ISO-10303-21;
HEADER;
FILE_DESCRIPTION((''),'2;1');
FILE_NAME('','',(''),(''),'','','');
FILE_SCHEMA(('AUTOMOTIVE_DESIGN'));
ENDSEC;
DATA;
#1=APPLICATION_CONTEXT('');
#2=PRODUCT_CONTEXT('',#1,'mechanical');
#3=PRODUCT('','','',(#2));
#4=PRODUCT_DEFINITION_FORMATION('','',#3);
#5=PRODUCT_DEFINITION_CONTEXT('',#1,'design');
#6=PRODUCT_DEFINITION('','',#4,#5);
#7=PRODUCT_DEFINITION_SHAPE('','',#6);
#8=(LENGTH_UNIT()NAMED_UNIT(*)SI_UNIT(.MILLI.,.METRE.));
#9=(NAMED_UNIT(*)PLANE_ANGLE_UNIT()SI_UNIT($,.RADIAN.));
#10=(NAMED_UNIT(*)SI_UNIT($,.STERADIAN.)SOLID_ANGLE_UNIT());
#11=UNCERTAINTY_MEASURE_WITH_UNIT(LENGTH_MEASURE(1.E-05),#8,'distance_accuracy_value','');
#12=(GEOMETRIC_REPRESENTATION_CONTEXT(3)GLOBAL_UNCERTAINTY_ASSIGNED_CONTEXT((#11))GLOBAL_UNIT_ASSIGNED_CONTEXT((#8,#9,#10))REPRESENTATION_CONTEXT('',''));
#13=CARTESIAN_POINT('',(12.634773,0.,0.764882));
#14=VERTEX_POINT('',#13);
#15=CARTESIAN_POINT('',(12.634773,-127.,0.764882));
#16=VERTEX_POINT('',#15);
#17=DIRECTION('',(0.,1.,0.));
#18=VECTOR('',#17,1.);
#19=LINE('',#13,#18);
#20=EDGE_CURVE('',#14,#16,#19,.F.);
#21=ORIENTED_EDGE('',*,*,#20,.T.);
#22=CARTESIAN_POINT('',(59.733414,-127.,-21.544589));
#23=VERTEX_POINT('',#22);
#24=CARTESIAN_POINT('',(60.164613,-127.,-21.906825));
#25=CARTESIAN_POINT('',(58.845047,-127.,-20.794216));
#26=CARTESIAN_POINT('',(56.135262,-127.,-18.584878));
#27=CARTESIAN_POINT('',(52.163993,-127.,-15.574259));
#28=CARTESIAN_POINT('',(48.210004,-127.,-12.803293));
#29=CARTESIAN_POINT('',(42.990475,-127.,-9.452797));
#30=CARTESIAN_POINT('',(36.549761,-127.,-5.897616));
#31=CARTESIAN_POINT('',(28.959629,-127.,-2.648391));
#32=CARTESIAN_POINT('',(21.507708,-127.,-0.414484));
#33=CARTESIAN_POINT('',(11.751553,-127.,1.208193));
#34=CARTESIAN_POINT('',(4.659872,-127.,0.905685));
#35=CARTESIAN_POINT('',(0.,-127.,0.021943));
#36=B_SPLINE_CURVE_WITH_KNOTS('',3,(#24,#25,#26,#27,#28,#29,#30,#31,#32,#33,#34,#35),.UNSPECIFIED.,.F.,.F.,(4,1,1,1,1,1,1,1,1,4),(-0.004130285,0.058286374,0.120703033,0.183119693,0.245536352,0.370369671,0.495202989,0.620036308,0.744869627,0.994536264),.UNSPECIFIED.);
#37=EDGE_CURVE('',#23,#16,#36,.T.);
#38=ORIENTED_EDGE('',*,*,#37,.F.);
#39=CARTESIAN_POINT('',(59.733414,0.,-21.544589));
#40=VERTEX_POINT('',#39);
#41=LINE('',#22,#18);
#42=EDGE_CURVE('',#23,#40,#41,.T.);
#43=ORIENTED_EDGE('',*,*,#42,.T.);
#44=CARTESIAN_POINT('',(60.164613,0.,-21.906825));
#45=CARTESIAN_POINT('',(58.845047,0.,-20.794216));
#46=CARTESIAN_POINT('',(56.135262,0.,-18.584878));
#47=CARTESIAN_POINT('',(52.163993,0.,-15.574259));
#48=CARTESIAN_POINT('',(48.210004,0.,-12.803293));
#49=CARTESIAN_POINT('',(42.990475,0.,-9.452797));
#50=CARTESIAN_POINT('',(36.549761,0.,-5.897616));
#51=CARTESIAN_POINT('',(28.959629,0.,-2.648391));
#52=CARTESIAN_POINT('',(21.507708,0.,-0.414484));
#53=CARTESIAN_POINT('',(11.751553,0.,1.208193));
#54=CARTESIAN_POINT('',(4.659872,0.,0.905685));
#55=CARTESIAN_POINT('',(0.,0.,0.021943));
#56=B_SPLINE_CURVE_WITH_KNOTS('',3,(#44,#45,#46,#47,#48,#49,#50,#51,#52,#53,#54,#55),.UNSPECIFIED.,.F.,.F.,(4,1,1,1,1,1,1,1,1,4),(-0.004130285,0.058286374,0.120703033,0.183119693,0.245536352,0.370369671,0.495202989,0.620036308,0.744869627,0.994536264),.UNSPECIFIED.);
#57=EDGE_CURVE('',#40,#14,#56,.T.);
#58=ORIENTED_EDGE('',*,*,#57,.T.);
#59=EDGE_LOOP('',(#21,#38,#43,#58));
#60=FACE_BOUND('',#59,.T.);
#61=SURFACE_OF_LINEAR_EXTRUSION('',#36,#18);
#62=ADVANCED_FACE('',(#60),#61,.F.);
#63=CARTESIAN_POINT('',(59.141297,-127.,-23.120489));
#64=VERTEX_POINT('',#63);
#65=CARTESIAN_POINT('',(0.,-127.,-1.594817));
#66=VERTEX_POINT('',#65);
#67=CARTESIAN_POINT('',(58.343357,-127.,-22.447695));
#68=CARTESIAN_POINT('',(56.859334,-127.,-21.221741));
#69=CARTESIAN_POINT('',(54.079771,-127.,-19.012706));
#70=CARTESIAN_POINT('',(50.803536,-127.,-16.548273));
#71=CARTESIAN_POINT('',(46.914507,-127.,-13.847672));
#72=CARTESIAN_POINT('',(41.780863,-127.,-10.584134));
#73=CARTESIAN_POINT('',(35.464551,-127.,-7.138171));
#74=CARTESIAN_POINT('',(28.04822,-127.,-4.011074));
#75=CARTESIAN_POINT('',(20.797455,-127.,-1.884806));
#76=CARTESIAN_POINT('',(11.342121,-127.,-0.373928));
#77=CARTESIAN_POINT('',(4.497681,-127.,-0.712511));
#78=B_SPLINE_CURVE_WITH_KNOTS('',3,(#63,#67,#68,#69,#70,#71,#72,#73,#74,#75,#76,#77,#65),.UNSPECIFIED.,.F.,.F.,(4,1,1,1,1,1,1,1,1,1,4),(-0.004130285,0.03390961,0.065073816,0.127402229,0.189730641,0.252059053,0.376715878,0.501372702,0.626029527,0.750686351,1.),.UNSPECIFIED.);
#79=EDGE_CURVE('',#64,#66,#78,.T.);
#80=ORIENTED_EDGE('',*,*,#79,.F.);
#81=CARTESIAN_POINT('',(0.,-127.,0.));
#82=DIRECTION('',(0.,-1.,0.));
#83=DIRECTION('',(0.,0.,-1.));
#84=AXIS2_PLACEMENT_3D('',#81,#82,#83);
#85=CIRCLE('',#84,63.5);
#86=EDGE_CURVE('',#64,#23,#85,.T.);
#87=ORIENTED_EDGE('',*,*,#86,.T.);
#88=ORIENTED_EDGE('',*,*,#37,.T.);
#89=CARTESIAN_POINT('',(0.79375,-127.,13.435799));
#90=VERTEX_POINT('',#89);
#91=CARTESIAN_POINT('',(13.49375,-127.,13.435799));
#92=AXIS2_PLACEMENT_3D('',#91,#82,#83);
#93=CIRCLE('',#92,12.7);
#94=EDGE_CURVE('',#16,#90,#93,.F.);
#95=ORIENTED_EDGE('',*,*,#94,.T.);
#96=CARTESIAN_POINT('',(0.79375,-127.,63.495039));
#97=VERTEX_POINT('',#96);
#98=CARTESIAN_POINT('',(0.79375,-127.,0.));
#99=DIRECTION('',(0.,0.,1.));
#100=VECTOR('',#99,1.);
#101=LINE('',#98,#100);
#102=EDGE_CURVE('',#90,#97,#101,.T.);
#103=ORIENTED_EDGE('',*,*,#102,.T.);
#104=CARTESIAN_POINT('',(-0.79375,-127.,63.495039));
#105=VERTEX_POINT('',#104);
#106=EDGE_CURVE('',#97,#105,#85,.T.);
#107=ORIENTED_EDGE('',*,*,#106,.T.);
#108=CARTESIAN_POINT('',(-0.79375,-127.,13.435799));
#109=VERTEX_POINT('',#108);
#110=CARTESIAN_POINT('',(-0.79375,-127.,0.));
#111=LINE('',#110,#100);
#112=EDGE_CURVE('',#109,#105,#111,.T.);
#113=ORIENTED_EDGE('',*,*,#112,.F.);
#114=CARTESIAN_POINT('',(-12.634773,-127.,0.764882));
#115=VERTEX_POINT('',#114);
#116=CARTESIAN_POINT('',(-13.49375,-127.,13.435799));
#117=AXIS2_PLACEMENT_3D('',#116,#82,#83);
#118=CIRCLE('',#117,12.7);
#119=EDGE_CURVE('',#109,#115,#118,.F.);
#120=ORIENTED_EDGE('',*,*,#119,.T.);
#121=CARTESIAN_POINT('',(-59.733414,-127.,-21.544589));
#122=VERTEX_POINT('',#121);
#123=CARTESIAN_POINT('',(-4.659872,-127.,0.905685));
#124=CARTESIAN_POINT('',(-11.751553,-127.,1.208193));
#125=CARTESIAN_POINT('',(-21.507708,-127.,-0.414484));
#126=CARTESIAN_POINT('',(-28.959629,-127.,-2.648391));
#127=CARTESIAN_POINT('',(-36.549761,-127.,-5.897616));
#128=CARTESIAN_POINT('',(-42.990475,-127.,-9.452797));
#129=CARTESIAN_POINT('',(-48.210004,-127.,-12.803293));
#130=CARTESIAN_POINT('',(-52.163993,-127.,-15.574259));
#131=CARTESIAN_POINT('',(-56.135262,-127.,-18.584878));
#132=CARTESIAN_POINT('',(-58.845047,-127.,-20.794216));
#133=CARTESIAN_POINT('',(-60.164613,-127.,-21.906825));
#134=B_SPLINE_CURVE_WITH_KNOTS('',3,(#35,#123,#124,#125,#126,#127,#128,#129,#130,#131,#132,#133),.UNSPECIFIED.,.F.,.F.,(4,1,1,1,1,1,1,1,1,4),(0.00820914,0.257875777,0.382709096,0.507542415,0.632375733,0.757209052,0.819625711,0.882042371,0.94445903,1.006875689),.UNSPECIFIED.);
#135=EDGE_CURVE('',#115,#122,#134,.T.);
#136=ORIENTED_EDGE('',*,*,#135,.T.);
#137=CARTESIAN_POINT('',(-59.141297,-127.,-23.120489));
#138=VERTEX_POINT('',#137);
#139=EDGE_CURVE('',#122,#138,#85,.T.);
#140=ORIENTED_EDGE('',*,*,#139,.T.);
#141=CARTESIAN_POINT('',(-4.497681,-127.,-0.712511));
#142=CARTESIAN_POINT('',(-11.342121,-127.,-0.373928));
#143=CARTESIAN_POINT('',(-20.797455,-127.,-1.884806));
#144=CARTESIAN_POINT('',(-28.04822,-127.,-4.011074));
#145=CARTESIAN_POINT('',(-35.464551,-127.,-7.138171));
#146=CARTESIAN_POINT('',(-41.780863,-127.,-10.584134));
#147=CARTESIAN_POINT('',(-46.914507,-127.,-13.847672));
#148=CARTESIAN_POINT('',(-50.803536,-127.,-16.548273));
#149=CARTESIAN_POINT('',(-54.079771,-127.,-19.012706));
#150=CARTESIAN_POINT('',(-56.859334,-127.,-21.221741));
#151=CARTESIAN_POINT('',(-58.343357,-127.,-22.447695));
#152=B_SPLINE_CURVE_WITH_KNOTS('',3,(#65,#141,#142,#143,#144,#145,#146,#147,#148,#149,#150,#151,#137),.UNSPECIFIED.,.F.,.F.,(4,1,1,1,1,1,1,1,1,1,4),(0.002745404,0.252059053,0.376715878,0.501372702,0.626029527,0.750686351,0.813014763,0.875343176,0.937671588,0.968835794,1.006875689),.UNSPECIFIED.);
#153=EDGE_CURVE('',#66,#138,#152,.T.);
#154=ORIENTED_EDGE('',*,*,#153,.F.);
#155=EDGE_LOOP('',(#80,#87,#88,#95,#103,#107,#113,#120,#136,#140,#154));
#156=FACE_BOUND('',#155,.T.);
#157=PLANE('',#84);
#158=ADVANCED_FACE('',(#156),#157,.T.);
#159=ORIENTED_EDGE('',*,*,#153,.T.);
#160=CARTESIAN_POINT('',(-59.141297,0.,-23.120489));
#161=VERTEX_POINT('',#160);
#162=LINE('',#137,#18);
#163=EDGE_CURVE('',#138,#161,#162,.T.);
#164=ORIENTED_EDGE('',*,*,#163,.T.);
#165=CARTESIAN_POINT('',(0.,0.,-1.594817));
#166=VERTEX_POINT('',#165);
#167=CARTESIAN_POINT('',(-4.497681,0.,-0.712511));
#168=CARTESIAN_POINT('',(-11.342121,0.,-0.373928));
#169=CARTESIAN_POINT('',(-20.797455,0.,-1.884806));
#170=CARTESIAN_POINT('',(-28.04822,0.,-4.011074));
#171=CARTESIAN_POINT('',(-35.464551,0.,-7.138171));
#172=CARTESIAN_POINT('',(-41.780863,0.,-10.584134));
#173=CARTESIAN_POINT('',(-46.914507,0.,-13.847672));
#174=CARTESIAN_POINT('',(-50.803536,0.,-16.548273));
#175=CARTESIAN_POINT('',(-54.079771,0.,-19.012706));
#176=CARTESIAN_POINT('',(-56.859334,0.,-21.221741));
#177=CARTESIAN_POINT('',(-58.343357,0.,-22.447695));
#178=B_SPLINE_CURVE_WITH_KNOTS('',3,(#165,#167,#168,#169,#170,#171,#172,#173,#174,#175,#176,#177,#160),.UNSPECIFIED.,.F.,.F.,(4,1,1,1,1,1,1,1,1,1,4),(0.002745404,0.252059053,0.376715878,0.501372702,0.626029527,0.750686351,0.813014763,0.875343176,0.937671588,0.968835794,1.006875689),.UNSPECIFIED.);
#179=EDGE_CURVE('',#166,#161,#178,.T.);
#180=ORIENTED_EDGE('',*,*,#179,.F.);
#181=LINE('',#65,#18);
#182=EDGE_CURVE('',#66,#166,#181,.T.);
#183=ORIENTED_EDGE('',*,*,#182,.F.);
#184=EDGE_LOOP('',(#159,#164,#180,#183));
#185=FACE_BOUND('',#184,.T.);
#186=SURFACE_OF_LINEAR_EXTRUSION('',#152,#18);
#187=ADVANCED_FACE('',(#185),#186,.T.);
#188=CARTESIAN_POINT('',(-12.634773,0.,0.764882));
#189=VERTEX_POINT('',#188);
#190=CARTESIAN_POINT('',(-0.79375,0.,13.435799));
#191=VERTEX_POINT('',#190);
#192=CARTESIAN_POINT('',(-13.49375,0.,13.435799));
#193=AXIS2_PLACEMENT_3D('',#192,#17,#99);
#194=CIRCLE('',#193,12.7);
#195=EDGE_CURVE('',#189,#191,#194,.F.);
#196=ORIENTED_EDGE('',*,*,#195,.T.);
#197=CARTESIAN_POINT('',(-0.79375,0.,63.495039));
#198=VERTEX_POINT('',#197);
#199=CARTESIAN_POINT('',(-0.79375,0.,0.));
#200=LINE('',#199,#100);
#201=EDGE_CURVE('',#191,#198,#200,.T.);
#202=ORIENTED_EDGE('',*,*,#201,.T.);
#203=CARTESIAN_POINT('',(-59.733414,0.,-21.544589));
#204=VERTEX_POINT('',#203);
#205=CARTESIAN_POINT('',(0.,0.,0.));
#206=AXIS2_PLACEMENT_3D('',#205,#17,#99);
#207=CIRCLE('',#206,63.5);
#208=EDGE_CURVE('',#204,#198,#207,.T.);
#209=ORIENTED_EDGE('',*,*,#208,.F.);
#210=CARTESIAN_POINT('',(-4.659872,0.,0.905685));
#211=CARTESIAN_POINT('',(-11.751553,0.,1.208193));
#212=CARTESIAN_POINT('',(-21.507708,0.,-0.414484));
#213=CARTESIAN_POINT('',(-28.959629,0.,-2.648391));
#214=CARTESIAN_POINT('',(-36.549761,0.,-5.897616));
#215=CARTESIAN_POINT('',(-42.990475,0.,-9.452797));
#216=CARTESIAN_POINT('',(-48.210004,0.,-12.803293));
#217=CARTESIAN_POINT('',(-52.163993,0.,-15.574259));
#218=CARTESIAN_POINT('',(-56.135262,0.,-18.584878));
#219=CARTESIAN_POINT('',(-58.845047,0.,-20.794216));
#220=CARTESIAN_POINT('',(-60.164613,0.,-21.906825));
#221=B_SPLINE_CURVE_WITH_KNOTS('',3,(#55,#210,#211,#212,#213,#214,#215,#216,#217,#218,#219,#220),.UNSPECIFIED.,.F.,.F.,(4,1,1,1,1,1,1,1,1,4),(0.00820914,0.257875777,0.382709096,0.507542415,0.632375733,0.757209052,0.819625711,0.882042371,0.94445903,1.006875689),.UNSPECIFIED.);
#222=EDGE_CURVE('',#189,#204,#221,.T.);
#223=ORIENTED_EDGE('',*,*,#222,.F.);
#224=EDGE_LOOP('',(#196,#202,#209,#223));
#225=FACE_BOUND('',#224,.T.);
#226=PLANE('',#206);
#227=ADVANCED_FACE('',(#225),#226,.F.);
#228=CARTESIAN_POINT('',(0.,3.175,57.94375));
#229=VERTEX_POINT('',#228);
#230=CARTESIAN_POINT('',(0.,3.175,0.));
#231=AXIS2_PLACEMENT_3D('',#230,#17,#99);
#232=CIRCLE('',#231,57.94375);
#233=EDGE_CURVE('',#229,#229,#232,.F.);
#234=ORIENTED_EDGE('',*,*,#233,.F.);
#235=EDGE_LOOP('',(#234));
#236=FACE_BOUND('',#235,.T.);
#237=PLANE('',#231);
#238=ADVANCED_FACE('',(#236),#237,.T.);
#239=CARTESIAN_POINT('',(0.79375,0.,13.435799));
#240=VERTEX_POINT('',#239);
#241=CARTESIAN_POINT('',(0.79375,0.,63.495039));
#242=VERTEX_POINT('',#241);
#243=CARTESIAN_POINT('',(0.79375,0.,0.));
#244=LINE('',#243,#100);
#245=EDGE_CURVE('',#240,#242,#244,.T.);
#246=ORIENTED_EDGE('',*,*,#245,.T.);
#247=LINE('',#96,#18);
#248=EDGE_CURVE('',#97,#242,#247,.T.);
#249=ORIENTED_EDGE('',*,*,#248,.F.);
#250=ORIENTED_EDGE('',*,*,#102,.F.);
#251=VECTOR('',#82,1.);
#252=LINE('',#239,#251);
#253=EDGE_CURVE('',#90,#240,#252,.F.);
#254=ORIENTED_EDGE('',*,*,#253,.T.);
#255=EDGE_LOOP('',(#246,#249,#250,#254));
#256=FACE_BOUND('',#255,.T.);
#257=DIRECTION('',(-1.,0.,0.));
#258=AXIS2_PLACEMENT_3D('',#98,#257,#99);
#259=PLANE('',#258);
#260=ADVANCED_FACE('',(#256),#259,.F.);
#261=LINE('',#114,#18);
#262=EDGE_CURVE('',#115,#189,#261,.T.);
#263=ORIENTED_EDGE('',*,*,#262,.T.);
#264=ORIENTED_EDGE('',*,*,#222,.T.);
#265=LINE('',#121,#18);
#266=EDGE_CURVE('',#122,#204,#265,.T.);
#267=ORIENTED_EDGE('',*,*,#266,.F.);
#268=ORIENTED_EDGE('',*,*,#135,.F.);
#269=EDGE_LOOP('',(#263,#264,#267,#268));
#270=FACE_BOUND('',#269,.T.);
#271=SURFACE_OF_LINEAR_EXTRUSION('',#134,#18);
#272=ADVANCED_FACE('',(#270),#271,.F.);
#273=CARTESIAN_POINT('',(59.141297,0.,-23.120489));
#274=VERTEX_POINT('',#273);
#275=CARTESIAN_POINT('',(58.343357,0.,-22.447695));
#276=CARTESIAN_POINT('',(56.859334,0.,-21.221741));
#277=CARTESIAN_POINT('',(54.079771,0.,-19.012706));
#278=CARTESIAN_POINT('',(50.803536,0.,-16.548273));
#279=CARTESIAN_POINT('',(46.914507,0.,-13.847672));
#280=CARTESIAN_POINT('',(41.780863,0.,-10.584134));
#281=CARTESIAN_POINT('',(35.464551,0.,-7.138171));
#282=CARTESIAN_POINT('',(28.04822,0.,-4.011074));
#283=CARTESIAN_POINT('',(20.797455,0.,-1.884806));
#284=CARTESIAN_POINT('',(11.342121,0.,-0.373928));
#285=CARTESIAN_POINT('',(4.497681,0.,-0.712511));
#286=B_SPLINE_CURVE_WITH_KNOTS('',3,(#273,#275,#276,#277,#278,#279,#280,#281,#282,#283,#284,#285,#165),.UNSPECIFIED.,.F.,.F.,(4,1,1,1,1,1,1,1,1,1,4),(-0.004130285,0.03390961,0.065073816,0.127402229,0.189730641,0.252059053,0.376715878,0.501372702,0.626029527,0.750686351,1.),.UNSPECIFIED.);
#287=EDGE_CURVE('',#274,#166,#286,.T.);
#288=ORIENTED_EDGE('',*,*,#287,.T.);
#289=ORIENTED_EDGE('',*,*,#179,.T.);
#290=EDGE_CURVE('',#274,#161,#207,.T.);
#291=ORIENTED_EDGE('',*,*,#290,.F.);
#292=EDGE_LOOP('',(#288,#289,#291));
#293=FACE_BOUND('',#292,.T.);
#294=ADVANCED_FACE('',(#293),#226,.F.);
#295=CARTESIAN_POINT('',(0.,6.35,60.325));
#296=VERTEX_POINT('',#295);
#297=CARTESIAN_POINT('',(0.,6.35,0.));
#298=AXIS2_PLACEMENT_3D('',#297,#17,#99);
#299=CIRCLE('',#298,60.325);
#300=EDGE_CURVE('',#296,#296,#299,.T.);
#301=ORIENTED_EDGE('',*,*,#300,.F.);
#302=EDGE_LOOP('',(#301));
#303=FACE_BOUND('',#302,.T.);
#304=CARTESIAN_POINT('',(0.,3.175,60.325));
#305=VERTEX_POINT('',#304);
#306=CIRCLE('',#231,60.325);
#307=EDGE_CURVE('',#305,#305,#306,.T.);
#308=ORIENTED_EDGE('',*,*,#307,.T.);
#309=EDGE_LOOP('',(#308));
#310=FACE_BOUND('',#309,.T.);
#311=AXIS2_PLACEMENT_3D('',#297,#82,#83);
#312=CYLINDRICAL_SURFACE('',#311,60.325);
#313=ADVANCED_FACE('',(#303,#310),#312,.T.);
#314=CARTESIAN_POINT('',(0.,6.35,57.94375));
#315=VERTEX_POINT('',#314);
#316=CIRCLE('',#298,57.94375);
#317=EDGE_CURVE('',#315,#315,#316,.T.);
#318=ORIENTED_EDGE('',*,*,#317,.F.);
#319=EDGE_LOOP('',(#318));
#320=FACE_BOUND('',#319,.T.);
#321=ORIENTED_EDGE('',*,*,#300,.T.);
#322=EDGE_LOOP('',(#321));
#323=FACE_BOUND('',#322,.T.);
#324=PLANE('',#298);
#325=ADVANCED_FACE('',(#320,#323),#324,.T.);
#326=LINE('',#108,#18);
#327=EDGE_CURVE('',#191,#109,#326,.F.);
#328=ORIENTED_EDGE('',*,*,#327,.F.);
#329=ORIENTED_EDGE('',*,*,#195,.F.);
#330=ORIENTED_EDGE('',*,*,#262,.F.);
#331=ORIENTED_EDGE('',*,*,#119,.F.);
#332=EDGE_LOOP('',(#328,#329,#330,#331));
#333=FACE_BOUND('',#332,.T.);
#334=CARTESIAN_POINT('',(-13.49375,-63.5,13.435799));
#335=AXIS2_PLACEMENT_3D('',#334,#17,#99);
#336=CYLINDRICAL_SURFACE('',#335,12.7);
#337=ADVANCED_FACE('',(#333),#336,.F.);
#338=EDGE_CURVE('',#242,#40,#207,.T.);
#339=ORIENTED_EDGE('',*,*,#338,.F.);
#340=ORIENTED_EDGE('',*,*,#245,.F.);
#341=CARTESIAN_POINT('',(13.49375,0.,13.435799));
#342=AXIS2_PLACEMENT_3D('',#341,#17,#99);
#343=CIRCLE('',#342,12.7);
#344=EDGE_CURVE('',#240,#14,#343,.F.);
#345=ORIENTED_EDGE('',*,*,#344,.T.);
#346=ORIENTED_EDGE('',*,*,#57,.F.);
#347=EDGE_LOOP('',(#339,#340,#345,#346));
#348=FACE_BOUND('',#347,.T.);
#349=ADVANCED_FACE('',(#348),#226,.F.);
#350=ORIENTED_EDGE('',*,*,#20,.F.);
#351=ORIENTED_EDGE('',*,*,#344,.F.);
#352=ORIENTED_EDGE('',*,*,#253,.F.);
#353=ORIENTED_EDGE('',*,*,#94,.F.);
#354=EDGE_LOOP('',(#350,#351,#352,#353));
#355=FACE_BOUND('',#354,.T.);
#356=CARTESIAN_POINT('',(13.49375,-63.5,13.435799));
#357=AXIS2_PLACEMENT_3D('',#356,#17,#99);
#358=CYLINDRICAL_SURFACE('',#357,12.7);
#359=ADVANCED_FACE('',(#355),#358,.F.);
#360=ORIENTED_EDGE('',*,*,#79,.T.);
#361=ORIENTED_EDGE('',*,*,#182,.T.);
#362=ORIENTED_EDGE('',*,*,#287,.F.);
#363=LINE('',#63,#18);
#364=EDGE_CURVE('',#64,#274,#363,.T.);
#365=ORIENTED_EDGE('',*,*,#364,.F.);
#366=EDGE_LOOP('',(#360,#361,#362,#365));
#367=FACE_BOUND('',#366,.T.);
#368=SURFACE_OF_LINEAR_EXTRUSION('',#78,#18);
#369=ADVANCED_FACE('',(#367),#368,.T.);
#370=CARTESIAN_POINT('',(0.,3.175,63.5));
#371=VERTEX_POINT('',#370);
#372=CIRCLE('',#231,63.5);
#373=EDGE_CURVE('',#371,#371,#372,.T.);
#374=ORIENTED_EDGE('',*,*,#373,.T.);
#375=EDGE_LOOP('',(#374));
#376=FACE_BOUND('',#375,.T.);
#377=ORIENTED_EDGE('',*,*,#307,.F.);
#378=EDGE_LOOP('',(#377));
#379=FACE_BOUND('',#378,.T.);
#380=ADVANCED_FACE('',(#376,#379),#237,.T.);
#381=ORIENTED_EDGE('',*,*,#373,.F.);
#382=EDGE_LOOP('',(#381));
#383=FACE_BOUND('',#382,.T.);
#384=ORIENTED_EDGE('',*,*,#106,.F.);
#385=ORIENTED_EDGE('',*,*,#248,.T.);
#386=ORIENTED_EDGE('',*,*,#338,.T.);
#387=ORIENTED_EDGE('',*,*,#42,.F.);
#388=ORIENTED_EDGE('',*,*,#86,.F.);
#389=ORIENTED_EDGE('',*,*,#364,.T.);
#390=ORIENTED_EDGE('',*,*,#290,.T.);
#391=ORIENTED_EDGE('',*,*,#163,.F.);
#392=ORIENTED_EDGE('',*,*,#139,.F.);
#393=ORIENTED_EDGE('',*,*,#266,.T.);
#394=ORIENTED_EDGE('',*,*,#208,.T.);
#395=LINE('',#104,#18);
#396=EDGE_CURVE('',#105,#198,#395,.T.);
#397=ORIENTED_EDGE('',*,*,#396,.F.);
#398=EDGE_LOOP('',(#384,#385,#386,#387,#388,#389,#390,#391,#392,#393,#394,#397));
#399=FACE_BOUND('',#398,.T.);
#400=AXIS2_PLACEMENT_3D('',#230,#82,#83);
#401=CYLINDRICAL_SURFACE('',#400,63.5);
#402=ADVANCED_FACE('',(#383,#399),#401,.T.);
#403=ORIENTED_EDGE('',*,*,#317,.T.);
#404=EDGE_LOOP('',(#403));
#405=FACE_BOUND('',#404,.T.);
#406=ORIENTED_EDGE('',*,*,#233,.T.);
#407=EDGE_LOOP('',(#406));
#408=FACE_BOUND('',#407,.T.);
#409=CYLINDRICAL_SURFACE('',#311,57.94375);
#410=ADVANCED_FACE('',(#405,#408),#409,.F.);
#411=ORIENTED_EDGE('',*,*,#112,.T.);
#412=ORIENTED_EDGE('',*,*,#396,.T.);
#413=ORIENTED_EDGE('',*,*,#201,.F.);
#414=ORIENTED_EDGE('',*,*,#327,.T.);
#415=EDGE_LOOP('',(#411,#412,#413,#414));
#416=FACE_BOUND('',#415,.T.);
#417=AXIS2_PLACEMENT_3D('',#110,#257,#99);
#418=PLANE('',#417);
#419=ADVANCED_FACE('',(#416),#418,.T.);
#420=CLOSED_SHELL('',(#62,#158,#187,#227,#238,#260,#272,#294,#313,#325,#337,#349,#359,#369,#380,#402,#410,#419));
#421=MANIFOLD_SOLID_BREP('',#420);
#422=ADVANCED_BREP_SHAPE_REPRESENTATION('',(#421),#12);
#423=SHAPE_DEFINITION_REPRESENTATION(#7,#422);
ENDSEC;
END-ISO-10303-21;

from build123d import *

# Parameters (mm, degrees)
SKETCH1_R           = 63.5
BOSS_EXTRUDE1_DEPTH = 3.175
SKETCH2_R           = 60.325
SKETCH2_R_2         = 57.94375
BOSS_EXTRUDE2_DEPTH = 3.175
BOSS_EXTRUDE3_DEPTH = 127
FILLET1_R           = 12.7


with BuildPart() as part:
    # Sketch1 → Boss-Extrude1 (new body)
    with BuildSketch(Plane(origin=(0, 0, 0), x_dir=(1, 0, 0), z_dir=(0, 1, 0))):
        Circle(SKETCH1_R)
    extrude(amount=BOSS_EXTRUDE1_DEPTH)

    # Sketch2 → Boss-Extrude2 (add)
    with BuildSketch(Plane(origin=(0, 3.175, 0), x_dir=(1, 0, 0), z_dir=(0, 1, 0))):
        Circle(SKETCH2_R)
        Circle(SKETCH2_R_2, mode=Mode.SUBTRACT)
    extrude(amount=BOSS_EXTRUDE2_DEPTH)

    # Sketch3 → Boss-Extrude3 (add)
    with BuildSketch(Plane.XZ):
        with BuildLine():
            Line((-0.79375, 63.495038869), (-0.79375, 0.165767528))
            add(Edge.make_bspline(
                [(-0.79375, 0.165767528), (-5.19662587, 0.926394102), (-12.028294814, 1.162164763), (-21.507708178, -0.414484498), (-28.959628823, -2.648391287), (-36.549761029, -5.897616417), (-42.990474773, -9.452796753), (-48.210003566, -12.80329328), (-52.163993282, -15.574258653), (-55.991469214, -18.475868316), (-58.550879749, -20.554822593), (-59.733413602, -21.544588636)],
                knots=[0.02237317, 0.02237317, 0.02237317, 0.02237317, 0.257875777, 0.382709096, 0.507542415, 0.632375733, 0.757209052, 0.819625711, 0.882042371, 0.94445903, 1.000095669, 1.000095669, 1.000095669, 1.000095669], degree=3))
            ThreePointArc((-59.733413602, -21.544588636), (-59.442577848, -22.334501085), (-59.141296843, -23.120488916))
            add(Edge.make_bspline(
                [(0, -1.594817249), (-4.497680515, -0.712511058), (-11.342121161, -0.373927815), (-20.797455162, -1.88480643), (-28.048219709, -4.011073511), (-35.464551173, -7.138170569), (-41.780862519, -10.584133838), (-46.914506534, -13.847671974), (-50.8035363, -16.548272657), (-54.079771454, -19.012705913), (-56.859334031, -21.22174097), (-58.343356695, -22.447695352), (-59.141296843, -23.120488916)],
                knots=[0.002745404, 0.002745404, 0.002745404, 0.002745404, 0.252059053, 0.376715878, 0.501372702, 0.626029527, 0.750686351, 0.813014763, 0.875343176, 0.937671588, 0.968835794, 1.006875689, 1.006875689, 1.006875689, 1.006875689], degree=3))
            add(Edge.make_bspline(
                [(59.141296843, -23.120488916), (58.343356695, -22.447695352), (56.859334031, -21.22174097), (54.079771454, -19.012705913), (50.8035363, -16.548272657), (46.914506534, -13.847671974), (41.780862519, -10.584133838), (35.464551173, -7.138170569), (28.048219709, -4.011073511), (20.797455162, -1.88480643), (11.342121161, -0.373927815), (4.497680515, -0.712511058), (0, -1.594817249)],
                knots=[-0.004130285, -0.004130285, -0.004130285, -0.004130285, 0.03390961, 0.065073816, 0.127402229, 0.189730641, 0.252059053, 0.376715878, 0.501372702, 0.626029527, 0.750686351, 1, 1, 1, 1], degree=3))
            ThreePointArc((59.141296843, -23.120488916), (59.442577848, -22.334501085), (59.733413602, -21.544588636))
            add(Edge.make_bspline(
                [(59.733413602, -21.544588636), (58.550879749, -20.554822593), (55.991469214, -18.475868316), (52.163993282, -15.574258653), (48.210003566, -12.80329328), (42.990474773, -9.452796753), (36.549761029, -5.897616417), (28.959628823, -2.648391287), (21.507708178, -0.414484498), (12.028294814, 1.162164763), (5.19662587, 0.926394102), (0.79375, 0.165767528)],
                knots=[0.002649735, 0.002649735, 0.002649735, 0.002649735, 0.058286374, 0.120703033, 0.183119693, 0.245536352, 0.370369671, 0.495202989, 0.620036308, 0.744869627, 0.980372234, 0.980372234, 0.980372234, 0.980372234], degree=3))
            Line((0.79375, 0.165767528), (0.79375, 63.495038869))
            ThreePointArc((0.79375, 63.495038869), (0, 63.5), (-0.79375, 63.495038869))
        make_face()
    extrude(amount=BOSS_EXTRUDE3_DEPTH)

    # Fillet1
    fillet1_edges = [part.edges().sort_by_distance(p)[0] for p in [
        (0.79375, -63.5, 0.165767528),
        (-0.79375, -63.5, 0.165767528),
    ]]
    fillet(fillet1_edges, radius=FILLET1_R)


solid = part.part
